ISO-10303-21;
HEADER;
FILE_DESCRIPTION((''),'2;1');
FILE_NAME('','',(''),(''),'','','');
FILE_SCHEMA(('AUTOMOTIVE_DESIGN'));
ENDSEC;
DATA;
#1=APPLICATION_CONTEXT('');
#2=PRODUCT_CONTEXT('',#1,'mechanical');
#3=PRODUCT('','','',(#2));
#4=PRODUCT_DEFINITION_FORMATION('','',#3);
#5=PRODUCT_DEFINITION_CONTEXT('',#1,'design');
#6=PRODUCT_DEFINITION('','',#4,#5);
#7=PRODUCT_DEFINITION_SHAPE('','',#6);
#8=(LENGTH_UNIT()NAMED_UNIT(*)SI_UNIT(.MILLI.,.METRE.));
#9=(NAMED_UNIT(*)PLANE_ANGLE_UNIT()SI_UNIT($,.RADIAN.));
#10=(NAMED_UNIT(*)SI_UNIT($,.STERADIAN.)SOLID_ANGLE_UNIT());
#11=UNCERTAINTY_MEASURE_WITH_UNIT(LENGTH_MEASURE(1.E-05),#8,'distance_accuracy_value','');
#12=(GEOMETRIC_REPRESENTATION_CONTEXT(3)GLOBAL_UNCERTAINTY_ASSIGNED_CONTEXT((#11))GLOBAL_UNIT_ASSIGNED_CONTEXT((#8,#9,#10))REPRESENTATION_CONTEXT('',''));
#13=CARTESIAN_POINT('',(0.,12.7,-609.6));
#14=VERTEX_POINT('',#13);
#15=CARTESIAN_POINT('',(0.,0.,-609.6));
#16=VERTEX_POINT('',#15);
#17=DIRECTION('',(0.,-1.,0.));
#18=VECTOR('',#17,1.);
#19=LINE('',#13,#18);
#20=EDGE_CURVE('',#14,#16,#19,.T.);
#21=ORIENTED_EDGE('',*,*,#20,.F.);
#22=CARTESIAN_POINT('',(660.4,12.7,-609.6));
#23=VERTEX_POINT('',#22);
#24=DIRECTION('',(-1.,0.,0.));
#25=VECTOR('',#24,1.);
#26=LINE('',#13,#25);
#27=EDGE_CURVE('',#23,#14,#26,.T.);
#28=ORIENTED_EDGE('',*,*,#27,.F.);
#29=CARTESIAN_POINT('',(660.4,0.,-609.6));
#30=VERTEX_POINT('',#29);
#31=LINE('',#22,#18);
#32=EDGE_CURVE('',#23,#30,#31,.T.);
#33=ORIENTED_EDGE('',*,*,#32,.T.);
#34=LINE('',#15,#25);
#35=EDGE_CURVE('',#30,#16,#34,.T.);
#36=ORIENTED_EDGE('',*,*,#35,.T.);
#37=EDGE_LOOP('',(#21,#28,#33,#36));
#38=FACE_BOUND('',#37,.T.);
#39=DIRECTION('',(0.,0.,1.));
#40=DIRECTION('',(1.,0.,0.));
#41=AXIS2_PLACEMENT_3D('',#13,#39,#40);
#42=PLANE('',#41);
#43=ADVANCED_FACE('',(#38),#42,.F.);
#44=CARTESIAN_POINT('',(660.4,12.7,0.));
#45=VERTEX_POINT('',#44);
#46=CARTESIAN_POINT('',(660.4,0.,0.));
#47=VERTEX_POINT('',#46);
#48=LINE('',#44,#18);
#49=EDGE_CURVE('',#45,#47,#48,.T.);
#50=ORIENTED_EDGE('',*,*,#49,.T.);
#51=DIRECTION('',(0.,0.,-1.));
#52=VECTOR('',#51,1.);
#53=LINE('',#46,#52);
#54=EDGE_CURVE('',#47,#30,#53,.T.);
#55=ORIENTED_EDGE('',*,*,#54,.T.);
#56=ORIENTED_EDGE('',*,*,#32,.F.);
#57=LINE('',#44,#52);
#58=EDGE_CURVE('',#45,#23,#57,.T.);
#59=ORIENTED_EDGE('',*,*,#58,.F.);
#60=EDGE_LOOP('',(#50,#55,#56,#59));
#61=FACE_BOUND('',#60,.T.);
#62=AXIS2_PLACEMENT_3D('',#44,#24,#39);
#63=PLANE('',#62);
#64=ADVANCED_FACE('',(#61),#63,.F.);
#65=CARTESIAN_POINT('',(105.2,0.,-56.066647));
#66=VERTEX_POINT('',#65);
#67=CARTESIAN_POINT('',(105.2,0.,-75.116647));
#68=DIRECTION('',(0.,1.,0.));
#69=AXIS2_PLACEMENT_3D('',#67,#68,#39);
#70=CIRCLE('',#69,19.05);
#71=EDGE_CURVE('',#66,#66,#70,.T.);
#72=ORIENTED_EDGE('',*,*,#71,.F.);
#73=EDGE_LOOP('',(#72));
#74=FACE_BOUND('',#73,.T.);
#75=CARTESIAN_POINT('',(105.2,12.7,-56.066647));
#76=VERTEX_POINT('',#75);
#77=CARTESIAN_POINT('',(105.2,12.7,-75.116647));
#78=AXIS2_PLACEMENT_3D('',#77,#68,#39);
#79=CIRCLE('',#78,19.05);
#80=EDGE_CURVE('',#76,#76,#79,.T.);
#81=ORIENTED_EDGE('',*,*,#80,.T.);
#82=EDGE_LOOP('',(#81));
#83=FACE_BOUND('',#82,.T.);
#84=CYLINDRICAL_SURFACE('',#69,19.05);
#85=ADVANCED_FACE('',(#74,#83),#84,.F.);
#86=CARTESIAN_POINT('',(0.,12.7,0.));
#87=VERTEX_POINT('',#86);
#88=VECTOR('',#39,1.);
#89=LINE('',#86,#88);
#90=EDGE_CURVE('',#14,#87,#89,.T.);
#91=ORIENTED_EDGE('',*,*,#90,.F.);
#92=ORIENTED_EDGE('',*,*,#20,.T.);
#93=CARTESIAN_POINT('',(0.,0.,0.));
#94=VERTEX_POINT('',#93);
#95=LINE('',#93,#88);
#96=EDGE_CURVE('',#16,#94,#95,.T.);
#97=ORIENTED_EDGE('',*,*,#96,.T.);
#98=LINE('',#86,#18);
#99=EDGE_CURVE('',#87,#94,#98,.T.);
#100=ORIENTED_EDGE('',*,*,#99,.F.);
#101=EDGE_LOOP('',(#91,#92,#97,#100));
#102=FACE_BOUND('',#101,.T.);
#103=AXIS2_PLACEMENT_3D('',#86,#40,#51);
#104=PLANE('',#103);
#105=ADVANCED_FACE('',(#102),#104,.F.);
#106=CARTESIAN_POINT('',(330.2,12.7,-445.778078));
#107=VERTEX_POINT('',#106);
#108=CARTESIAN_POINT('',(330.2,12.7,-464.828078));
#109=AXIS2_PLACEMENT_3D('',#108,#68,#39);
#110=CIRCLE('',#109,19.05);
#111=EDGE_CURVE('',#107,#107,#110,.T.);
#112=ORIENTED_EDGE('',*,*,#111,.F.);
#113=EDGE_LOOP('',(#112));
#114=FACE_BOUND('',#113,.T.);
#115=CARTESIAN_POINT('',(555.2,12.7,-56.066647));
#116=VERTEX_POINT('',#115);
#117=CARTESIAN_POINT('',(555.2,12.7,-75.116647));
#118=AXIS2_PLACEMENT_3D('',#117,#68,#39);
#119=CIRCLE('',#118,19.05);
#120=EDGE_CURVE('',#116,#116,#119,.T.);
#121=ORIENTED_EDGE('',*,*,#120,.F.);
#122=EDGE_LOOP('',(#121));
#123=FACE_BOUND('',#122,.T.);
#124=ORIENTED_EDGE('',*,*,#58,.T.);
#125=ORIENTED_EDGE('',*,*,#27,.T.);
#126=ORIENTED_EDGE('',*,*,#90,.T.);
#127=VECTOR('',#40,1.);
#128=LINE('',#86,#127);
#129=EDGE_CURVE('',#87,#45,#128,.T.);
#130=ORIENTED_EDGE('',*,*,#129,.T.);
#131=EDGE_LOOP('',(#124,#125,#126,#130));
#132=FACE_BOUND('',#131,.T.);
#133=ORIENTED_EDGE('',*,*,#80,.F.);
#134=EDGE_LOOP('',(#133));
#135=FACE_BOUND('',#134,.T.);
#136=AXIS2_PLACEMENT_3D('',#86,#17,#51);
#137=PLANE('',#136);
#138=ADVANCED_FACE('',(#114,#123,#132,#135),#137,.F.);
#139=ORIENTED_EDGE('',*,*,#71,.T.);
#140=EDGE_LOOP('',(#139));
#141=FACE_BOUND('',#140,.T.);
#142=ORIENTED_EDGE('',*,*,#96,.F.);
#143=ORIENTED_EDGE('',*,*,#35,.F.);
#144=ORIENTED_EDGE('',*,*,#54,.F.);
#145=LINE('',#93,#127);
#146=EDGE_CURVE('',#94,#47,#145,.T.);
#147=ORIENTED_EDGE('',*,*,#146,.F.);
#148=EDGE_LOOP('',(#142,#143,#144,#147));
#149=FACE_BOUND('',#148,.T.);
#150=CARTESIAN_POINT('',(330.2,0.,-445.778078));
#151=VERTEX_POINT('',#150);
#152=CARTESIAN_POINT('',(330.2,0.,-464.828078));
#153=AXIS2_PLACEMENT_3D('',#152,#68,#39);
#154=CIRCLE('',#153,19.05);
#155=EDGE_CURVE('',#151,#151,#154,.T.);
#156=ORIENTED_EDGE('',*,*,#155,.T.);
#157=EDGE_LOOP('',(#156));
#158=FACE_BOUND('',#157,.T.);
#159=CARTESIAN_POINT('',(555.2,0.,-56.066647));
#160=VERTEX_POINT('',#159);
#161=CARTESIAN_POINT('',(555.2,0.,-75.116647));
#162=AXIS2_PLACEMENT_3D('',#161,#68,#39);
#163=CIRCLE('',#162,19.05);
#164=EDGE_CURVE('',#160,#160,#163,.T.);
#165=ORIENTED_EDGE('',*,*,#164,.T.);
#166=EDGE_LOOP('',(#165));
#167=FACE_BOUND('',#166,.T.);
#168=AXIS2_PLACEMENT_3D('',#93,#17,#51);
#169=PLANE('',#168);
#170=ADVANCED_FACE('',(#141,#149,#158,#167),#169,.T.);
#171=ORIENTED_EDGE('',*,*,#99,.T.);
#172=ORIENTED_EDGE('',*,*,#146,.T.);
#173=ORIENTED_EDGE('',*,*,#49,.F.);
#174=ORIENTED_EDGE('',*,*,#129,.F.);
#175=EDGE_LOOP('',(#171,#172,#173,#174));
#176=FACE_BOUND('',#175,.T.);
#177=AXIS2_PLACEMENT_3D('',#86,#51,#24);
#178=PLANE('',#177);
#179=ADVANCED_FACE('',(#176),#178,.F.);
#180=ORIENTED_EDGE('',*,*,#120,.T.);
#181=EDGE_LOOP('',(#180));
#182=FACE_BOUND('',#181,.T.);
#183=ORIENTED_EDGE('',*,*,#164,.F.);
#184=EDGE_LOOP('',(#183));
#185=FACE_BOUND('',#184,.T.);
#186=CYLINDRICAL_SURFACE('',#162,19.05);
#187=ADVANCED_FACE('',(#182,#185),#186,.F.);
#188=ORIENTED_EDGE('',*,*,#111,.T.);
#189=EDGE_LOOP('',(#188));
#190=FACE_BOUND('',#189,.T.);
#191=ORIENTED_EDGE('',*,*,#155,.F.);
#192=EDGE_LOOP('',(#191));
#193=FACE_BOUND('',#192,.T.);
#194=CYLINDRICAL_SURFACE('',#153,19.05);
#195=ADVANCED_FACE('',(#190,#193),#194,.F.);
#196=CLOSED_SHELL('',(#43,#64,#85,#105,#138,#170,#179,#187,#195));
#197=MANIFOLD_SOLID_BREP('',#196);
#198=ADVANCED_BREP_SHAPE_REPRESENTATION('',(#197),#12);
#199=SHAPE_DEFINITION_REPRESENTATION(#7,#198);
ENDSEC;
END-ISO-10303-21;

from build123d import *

# Parameters (mm, degrees)
SKETCH1_W           = 660.4
SKETCH1_H           = 609.6
BOSS_EXTRUDE1_DEPTH = 12.7
SKETCH5_R           = 19.05
CUT_EXTRUDE2_DEPTH  = 13.7


with BuildPart() as part:
    # Sketch1 → Boss-Extrude1 (new body)
    with BuildSketch(Plane(origin=(0, 0, 0), x_dir=(1, 0, 0), z_dir=(0, 1, 0))):
        with Locations((330.2, 304.8)):
            Rectangle(SKETCH1_W, SKETCH1_H)
    extrude(amount=BOSS_EXTRUDE1_DEPTH)

    # Sketch5 → Cut-Extrude2 (cut, through all)
    with BuildSketch(Plane(origin=(0, 12.7, 0), x_dir=(1, 0, 0), z_dir=(0, 1, 0))):
        with Locations((105.2, 75.116646637)):
            Circle(SKETCH5_R)
        with Locations((555.2, 75.116646637)):
            Circle(SKETCH5_R)
        with Locations((330.2, 464.82807834)):
            Circle(SKETCH5_R)
    extrude(amount=-CUT_EXTRUDE2_DEPTH, mode=Mode.SUBTRACT)


solid = part.part
